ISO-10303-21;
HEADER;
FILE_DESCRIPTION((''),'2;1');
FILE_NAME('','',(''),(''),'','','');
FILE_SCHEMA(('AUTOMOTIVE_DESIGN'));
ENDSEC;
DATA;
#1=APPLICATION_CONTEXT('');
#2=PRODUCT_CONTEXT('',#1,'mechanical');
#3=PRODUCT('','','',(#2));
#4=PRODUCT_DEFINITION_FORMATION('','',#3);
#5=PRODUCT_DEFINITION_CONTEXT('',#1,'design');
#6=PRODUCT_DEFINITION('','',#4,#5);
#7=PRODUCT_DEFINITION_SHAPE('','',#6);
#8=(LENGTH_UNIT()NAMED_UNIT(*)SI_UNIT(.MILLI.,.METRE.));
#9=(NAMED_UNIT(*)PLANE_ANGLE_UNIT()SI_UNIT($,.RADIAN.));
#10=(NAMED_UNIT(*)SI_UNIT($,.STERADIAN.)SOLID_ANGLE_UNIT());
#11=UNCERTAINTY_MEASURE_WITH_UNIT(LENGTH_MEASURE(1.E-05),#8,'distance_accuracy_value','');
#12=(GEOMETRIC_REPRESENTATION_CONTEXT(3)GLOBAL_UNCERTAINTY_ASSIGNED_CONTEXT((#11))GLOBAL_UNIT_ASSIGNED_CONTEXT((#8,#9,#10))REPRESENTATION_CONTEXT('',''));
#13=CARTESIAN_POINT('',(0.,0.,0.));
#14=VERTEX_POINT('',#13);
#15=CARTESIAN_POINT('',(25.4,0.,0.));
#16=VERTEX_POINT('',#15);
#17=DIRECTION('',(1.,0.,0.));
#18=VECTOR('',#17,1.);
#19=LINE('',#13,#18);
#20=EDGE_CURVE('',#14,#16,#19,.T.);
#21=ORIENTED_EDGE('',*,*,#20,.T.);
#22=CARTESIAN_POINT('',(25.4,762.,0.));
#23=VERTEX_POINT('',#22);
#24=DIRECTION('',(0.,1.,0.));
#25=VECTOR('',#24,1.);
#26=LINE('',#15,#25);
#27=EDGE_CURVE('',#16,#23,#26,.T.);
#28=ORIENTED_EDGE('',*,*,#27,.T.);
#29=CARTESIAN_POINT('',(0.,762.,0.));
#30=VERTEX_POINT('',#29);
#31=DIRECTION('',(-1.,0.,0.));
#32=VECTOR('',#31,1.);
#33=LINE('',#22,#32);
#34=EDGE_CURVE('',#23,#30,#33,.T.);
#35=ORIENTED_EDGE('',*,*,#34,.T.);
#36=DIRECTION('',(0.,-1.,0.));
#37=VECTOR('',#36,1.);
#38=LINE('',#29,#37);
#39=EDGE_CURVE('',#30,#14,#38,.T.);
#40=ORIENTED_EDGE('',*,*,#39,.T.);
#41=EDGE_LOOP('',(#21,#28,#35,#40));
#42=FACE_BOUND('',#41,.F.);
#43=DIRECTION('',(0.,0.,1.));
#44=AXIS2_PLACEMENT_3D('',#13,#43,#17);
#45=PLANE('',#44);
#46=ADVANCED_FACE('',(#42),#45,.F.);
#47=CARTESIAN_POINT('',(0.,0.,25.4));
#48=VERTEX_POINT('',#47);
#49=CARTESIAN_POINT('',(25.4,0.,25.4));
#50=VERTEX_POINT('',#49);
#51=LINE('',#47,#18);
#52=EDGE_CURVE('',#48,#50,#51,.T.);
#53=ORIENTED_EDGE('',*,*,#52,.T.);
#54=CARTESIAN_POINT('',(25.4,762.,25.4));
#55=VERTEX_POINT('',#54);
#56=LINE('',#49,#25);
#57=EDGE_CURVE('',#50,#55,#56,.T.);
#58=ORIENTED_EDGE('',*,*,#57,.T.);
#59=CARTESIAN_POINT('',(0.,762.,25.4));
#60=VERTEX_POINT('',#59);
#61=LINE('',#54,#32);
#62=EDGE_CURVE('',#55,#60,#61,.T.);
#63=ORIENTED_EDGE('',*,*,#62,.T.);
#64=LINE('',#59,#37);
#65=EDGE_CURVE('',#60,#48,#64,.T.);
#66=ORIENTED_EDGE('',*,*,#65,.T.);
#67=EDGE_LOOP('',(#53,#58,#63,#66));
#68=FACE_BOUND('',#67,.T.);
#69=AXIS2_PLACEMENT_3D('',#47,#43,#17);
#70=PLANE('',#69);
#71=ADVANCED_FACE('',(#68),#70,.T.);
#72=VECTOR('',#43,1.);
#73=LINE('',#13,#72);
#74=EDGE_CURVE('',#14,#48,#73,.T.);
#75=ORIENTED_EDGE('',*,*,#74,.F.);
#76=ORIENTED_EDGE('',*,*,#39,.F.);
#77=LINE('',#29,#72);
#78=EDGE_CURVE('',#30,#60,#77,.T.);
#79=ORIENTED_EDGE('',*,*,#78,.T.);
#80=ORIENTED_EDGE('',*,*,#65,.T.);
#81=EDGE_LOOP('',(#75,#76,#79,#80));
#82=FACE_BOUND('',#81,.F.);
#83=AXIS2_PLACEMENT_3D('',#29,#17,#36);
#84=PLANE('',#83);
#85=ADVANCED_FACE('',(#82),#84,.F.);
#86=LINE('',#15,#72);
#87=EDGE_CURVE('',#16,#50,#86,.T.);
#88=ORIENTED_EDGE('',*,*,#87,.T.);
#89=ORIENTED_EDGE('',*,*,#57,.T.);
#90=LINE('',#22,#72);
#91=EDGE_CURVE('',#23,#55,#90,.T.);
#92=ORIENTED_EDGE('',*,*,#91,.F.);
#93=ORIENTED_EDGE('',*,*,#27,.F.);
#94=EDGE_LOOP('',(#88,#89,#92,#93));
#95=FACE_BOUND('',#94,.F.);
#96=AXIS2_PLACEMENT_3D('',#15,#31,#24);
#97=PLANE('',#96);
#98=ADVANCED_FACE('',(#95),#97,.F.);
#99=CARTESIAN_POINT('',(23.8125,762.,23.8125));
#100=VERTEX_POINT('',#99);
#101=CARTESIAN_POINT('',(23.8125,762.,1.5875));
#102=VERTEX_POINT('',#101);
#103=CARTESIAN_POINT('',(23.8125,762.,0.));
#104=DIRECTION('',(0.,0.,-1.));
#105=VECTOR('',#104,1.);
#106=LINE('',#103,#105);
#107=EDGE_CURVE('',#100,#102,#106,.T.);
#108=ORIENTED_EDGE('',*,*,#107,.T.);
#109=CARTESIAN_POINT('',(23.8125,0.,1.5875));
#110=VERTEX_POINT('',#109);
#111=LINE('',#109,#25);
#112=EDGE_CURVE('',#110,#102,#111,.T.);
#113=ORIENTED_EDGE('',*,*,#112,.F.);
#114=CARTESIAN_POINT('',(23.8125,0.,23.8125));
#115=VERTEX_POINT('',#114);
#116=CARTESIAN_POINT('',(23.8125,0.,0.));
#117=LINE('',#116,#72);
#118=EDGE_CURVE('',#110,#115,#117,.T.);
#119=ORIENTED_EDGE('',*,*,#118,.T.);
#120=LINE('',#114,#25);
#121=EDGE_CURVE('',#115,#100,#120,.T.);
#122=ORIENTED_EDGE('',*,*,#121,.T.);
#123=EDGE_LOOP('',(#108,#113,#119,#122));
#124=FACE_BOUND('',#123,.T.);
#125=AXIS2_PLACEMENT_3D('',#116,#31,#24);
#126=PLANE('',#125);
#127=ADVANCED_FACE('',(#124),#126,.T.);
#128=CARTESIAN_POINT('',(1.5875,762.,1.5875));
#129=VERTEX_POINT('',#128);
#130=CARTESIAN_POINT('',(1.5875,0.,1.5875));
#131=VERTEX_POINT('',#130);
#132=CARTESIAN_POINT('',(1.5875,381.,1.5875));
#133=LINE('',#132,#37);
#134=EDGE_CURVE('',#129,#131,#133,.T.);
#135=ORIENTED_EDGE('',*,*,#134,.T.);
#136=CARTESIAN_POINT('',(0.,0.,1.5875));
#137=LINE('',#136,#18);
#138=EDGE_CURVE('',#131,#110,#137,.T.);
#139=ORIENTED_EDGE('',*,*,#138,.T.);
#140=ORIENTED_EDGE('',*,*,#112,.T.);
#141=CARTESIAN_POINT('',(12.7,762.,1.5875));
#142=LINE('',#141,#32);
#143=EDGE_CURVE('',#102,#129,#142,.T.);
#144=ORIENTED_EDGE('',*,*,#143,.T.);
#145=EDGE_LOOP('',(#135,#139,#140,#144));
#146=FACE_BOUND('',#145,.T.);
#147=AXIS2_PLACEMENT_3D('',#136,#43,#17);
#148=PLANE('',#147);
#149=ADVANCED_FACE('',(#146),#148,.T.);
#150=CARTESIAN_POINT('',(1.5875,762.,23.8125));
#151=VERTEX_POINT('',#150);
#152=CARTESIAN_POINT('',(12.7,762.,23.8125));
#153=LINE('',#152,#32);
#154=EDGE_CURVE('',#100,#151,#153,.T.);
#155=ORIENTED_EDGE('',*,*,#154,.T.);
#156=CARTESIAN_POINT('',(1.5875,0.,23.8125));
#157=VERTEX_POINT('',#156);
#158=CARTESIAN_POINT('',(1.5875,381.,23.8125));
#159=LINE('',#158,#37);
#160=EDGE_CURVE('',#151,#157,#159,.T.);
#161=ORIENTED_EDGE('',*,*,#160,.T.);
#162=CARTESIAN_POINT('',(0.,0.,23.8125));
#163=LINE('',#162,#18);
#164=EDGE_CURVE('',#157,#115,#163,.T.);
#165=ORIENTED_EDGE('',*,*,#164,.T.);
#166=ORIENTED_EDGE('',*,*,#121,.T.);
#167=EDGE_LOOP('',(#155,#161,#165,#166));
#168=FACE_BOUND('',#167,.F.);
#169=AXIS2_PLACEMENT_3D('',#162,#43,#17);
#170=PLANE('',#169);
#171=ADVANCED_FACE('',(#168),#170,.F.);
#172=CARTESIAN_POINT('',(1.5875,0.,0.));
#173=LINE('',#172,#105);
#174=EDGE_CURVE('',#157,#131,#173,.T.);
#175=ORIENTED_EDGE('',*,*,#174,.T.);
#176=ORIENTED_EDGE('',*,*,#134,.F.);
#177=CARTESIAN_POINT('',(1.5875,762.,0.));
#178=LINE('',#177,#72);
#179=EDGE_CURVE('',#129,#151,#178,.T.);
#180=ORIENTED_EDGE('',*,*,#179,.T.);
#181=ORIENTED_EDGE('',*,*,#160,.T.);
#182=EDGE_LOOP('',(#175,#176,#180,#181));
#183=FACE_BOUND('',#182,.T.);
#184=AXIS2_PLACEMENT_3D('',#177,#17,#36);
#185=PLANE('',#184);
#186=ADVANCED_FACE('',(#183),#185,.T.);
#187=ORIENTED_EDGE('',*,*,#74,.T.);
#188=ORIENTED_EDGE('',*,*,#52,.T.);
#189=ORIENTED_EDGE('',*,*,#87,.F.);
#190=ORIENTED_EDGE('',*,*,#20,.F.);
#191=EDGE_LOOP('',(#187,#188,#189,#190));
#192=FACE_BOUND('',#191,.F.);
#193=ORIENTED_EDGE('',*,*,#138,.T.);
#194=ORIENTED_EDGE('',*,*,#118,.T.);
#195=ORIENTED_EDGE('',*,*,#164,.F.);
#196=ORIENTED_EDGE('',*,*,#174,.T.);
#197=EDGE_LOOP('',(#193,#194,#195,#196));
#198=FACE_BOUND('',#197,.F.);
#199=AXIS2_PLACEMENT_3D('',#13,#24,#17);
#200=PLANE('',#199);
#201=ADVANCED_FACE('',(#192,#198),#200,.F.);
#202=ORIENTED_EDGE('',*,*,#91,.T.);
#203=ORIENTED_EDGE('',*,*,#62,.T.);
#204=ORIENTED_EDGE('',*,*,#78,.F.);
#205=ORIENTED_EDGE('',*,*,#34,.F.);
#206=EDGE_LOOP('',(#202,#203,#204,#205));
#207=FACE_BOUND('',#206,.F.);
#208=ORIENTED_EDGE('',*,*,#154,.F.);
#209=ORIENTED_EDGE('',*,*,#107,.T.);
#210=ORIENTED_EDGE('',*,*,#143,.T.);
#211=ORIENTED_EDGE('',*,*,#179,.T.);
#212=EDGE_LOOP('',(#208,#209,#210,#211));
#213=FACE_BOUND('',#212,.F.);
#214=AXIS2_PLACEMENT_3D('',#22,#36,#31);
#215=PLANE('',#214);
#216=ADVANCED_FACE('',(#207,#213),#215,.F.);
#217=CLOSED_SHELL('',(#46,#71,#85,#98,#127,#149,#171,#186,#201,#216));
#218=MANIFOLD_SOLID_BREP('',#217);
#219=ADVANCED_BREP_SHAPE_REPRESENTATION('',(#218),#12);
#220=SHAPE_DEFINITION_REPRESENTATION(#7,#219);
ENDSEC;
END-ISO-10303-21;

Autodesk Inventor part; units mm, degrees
ref_plane "YZ Plane" through (0, 0, 0) normal (1, 0, 0) x (0, 1, 0)
ref_plane "XZ Plane" through (0, 0, 0) normal (0, 1, 0) x (-1, 0, 0)
ref_plane "XY Plane" through (0, 0, 0) normal (0, 0, 1) x (1, 0, 0)
sketch "Sketch1" plane through (0, 0, 0) normal (0, 0, 1) x (1, 0, 0)
  line L0 (0, 0) -> (25.4, 0)
  line L1 (25.4, 0) -> (25.4, 762)
  line L2 (25.4, 762) -> (0, 762)
  line L3 (0, 762) -> (0, 0)
  dimension "d0" = 25.4
  dimension "d1" = 762
extrude "Extrusion1" add sketch "Sketch1" along normal blind 25.4
shell "Shell1" thickness 1.5875 removed faces 2 at (16.9333, 762, 8.4667) at (8.4667, 0, 8.4667)
properties part number "Frame_MainVerticalSupport_Rear" material "Aluminum-6061"
